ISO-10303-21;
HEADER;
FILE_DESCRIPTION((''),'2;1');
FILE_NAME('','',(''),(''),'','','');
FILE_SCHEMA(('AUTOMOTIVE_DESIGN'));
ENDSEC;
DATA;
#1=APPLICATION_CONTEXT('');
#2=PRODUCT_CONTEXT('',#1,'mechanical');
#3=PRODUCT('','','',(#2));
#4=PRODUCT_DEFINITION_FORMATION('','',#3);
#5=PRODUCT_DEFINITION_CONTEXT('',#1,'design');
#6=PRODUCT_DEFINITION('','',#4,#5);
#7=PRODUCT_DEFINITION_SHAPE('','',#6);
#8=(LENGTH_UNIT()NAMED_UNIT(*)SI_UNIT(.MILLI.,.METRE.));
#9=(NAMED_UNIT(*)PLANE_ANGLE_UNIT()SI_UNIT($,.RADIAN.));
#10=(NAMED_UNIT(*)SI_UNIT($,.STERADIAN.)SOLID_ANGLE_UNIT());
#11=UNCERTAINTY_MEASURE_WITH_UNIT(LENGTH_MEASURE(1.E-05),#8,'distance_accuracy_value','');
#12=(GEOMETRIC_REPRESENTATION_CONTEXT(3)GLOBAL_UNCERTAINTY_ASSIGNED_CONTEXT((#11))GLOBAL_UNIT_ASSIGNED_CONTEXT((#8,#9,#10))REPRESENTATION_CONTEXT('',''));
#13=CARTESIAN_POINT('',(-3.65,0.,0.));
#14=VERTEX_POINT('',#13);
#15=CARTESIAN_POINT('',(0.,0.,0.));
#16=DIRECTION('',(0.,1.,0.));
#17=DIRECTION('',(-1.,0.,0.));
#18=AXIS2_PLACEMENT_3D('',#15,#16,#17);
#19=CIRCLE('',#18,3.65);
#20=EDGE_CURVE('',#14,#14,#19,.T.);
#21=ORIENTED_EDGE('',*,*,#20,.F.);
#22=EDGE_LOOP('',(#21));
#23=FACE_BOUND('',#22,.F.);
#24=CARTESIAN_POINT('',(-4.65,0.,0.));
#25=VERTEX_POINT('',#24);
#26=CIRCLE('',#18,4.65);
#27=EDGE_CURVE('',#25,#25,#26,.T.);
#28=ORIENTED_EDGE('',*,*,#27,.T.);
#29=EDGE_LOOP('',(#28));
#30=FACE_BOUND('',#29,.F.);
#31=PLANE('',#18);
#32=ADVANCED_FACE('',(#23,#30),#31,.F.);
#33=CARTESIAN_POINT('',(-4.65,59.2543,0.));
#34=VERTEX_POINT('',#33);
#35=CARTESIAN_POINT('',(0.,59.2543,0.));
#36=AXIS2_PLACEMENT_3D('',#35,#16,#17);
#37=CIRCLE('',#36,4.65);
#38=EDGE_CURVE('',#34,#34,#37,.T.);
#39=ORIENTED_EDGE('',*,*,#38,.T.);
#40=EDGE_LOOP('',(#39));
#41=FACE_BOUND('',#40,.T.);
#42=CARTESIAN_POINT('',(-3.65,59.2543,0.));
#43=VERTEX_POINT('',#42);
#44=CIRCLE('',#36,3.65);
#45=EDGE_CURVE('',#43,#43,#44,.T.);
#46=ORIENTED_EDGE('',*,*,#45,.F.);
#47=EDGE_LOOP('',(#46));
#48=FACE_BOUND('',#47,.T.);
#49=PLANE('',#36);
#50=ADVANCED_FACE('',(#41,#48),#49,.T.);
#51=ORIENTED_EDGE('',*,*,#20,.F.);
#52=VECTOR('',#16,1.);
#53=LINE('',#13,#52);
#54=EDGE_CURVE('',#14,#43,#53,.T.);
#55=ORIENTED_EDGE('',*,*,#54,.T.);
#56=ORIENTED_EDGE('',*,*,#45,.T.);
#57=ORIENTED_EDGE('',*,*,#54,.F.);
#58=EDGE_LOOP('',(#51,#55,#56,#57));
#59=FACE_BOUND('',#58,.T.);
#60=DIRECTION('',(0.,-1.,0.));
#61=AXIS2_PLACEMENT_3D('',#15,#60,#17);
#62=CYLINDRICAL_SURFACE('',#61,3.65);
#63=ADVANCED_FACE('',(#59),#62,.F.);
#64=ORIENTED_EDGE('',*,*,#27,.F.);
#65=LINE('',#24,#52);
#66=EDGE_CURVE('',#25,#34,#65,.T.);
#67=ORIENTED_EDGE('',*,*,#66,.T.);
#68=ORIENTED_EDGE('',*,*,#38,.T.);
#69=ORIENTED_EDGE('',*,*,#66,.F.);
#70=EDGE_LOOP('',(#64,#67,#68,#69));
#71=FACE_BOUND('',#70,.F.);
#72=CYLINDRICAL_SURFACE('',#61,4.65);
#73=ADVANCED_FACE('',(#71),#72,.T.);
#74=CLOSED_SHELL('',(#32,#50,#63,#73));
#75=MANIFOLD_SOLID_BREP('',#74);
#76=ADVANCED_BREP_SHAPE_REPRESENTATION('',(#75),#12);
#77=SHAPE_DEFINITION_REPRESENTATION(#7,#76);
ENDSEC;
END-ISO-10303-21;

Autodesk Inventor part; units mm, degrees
ref_plane "YZ Plane" through (0, 0, 0) normal (1, 0, 0) x (0, 1, 0)
ref_plane "XZ Plane" through (0, 0, 0) normal (0, 1, 0) x (-1, 0, 0)
ref_plane "XY Plane" through (0, 0, 0) normal (0, 0, 1) x (1, 0, 0)
sketch "Sketch1" plane through (0, 0, 0) normal (0, 1, 0) x (-1, 0, 0)
  circle A0 centre (0, 0) radius 3.65
  circle A1 centre (0, 0) radius 4.65
  dimension "d0" = 9.3
  dimension "d1" = 1
extrude "Extrusion1" add sketch "Sketch1" along normal blind 59.2543
properties part number "pipe10-6.3" material "Stainless Steel"
